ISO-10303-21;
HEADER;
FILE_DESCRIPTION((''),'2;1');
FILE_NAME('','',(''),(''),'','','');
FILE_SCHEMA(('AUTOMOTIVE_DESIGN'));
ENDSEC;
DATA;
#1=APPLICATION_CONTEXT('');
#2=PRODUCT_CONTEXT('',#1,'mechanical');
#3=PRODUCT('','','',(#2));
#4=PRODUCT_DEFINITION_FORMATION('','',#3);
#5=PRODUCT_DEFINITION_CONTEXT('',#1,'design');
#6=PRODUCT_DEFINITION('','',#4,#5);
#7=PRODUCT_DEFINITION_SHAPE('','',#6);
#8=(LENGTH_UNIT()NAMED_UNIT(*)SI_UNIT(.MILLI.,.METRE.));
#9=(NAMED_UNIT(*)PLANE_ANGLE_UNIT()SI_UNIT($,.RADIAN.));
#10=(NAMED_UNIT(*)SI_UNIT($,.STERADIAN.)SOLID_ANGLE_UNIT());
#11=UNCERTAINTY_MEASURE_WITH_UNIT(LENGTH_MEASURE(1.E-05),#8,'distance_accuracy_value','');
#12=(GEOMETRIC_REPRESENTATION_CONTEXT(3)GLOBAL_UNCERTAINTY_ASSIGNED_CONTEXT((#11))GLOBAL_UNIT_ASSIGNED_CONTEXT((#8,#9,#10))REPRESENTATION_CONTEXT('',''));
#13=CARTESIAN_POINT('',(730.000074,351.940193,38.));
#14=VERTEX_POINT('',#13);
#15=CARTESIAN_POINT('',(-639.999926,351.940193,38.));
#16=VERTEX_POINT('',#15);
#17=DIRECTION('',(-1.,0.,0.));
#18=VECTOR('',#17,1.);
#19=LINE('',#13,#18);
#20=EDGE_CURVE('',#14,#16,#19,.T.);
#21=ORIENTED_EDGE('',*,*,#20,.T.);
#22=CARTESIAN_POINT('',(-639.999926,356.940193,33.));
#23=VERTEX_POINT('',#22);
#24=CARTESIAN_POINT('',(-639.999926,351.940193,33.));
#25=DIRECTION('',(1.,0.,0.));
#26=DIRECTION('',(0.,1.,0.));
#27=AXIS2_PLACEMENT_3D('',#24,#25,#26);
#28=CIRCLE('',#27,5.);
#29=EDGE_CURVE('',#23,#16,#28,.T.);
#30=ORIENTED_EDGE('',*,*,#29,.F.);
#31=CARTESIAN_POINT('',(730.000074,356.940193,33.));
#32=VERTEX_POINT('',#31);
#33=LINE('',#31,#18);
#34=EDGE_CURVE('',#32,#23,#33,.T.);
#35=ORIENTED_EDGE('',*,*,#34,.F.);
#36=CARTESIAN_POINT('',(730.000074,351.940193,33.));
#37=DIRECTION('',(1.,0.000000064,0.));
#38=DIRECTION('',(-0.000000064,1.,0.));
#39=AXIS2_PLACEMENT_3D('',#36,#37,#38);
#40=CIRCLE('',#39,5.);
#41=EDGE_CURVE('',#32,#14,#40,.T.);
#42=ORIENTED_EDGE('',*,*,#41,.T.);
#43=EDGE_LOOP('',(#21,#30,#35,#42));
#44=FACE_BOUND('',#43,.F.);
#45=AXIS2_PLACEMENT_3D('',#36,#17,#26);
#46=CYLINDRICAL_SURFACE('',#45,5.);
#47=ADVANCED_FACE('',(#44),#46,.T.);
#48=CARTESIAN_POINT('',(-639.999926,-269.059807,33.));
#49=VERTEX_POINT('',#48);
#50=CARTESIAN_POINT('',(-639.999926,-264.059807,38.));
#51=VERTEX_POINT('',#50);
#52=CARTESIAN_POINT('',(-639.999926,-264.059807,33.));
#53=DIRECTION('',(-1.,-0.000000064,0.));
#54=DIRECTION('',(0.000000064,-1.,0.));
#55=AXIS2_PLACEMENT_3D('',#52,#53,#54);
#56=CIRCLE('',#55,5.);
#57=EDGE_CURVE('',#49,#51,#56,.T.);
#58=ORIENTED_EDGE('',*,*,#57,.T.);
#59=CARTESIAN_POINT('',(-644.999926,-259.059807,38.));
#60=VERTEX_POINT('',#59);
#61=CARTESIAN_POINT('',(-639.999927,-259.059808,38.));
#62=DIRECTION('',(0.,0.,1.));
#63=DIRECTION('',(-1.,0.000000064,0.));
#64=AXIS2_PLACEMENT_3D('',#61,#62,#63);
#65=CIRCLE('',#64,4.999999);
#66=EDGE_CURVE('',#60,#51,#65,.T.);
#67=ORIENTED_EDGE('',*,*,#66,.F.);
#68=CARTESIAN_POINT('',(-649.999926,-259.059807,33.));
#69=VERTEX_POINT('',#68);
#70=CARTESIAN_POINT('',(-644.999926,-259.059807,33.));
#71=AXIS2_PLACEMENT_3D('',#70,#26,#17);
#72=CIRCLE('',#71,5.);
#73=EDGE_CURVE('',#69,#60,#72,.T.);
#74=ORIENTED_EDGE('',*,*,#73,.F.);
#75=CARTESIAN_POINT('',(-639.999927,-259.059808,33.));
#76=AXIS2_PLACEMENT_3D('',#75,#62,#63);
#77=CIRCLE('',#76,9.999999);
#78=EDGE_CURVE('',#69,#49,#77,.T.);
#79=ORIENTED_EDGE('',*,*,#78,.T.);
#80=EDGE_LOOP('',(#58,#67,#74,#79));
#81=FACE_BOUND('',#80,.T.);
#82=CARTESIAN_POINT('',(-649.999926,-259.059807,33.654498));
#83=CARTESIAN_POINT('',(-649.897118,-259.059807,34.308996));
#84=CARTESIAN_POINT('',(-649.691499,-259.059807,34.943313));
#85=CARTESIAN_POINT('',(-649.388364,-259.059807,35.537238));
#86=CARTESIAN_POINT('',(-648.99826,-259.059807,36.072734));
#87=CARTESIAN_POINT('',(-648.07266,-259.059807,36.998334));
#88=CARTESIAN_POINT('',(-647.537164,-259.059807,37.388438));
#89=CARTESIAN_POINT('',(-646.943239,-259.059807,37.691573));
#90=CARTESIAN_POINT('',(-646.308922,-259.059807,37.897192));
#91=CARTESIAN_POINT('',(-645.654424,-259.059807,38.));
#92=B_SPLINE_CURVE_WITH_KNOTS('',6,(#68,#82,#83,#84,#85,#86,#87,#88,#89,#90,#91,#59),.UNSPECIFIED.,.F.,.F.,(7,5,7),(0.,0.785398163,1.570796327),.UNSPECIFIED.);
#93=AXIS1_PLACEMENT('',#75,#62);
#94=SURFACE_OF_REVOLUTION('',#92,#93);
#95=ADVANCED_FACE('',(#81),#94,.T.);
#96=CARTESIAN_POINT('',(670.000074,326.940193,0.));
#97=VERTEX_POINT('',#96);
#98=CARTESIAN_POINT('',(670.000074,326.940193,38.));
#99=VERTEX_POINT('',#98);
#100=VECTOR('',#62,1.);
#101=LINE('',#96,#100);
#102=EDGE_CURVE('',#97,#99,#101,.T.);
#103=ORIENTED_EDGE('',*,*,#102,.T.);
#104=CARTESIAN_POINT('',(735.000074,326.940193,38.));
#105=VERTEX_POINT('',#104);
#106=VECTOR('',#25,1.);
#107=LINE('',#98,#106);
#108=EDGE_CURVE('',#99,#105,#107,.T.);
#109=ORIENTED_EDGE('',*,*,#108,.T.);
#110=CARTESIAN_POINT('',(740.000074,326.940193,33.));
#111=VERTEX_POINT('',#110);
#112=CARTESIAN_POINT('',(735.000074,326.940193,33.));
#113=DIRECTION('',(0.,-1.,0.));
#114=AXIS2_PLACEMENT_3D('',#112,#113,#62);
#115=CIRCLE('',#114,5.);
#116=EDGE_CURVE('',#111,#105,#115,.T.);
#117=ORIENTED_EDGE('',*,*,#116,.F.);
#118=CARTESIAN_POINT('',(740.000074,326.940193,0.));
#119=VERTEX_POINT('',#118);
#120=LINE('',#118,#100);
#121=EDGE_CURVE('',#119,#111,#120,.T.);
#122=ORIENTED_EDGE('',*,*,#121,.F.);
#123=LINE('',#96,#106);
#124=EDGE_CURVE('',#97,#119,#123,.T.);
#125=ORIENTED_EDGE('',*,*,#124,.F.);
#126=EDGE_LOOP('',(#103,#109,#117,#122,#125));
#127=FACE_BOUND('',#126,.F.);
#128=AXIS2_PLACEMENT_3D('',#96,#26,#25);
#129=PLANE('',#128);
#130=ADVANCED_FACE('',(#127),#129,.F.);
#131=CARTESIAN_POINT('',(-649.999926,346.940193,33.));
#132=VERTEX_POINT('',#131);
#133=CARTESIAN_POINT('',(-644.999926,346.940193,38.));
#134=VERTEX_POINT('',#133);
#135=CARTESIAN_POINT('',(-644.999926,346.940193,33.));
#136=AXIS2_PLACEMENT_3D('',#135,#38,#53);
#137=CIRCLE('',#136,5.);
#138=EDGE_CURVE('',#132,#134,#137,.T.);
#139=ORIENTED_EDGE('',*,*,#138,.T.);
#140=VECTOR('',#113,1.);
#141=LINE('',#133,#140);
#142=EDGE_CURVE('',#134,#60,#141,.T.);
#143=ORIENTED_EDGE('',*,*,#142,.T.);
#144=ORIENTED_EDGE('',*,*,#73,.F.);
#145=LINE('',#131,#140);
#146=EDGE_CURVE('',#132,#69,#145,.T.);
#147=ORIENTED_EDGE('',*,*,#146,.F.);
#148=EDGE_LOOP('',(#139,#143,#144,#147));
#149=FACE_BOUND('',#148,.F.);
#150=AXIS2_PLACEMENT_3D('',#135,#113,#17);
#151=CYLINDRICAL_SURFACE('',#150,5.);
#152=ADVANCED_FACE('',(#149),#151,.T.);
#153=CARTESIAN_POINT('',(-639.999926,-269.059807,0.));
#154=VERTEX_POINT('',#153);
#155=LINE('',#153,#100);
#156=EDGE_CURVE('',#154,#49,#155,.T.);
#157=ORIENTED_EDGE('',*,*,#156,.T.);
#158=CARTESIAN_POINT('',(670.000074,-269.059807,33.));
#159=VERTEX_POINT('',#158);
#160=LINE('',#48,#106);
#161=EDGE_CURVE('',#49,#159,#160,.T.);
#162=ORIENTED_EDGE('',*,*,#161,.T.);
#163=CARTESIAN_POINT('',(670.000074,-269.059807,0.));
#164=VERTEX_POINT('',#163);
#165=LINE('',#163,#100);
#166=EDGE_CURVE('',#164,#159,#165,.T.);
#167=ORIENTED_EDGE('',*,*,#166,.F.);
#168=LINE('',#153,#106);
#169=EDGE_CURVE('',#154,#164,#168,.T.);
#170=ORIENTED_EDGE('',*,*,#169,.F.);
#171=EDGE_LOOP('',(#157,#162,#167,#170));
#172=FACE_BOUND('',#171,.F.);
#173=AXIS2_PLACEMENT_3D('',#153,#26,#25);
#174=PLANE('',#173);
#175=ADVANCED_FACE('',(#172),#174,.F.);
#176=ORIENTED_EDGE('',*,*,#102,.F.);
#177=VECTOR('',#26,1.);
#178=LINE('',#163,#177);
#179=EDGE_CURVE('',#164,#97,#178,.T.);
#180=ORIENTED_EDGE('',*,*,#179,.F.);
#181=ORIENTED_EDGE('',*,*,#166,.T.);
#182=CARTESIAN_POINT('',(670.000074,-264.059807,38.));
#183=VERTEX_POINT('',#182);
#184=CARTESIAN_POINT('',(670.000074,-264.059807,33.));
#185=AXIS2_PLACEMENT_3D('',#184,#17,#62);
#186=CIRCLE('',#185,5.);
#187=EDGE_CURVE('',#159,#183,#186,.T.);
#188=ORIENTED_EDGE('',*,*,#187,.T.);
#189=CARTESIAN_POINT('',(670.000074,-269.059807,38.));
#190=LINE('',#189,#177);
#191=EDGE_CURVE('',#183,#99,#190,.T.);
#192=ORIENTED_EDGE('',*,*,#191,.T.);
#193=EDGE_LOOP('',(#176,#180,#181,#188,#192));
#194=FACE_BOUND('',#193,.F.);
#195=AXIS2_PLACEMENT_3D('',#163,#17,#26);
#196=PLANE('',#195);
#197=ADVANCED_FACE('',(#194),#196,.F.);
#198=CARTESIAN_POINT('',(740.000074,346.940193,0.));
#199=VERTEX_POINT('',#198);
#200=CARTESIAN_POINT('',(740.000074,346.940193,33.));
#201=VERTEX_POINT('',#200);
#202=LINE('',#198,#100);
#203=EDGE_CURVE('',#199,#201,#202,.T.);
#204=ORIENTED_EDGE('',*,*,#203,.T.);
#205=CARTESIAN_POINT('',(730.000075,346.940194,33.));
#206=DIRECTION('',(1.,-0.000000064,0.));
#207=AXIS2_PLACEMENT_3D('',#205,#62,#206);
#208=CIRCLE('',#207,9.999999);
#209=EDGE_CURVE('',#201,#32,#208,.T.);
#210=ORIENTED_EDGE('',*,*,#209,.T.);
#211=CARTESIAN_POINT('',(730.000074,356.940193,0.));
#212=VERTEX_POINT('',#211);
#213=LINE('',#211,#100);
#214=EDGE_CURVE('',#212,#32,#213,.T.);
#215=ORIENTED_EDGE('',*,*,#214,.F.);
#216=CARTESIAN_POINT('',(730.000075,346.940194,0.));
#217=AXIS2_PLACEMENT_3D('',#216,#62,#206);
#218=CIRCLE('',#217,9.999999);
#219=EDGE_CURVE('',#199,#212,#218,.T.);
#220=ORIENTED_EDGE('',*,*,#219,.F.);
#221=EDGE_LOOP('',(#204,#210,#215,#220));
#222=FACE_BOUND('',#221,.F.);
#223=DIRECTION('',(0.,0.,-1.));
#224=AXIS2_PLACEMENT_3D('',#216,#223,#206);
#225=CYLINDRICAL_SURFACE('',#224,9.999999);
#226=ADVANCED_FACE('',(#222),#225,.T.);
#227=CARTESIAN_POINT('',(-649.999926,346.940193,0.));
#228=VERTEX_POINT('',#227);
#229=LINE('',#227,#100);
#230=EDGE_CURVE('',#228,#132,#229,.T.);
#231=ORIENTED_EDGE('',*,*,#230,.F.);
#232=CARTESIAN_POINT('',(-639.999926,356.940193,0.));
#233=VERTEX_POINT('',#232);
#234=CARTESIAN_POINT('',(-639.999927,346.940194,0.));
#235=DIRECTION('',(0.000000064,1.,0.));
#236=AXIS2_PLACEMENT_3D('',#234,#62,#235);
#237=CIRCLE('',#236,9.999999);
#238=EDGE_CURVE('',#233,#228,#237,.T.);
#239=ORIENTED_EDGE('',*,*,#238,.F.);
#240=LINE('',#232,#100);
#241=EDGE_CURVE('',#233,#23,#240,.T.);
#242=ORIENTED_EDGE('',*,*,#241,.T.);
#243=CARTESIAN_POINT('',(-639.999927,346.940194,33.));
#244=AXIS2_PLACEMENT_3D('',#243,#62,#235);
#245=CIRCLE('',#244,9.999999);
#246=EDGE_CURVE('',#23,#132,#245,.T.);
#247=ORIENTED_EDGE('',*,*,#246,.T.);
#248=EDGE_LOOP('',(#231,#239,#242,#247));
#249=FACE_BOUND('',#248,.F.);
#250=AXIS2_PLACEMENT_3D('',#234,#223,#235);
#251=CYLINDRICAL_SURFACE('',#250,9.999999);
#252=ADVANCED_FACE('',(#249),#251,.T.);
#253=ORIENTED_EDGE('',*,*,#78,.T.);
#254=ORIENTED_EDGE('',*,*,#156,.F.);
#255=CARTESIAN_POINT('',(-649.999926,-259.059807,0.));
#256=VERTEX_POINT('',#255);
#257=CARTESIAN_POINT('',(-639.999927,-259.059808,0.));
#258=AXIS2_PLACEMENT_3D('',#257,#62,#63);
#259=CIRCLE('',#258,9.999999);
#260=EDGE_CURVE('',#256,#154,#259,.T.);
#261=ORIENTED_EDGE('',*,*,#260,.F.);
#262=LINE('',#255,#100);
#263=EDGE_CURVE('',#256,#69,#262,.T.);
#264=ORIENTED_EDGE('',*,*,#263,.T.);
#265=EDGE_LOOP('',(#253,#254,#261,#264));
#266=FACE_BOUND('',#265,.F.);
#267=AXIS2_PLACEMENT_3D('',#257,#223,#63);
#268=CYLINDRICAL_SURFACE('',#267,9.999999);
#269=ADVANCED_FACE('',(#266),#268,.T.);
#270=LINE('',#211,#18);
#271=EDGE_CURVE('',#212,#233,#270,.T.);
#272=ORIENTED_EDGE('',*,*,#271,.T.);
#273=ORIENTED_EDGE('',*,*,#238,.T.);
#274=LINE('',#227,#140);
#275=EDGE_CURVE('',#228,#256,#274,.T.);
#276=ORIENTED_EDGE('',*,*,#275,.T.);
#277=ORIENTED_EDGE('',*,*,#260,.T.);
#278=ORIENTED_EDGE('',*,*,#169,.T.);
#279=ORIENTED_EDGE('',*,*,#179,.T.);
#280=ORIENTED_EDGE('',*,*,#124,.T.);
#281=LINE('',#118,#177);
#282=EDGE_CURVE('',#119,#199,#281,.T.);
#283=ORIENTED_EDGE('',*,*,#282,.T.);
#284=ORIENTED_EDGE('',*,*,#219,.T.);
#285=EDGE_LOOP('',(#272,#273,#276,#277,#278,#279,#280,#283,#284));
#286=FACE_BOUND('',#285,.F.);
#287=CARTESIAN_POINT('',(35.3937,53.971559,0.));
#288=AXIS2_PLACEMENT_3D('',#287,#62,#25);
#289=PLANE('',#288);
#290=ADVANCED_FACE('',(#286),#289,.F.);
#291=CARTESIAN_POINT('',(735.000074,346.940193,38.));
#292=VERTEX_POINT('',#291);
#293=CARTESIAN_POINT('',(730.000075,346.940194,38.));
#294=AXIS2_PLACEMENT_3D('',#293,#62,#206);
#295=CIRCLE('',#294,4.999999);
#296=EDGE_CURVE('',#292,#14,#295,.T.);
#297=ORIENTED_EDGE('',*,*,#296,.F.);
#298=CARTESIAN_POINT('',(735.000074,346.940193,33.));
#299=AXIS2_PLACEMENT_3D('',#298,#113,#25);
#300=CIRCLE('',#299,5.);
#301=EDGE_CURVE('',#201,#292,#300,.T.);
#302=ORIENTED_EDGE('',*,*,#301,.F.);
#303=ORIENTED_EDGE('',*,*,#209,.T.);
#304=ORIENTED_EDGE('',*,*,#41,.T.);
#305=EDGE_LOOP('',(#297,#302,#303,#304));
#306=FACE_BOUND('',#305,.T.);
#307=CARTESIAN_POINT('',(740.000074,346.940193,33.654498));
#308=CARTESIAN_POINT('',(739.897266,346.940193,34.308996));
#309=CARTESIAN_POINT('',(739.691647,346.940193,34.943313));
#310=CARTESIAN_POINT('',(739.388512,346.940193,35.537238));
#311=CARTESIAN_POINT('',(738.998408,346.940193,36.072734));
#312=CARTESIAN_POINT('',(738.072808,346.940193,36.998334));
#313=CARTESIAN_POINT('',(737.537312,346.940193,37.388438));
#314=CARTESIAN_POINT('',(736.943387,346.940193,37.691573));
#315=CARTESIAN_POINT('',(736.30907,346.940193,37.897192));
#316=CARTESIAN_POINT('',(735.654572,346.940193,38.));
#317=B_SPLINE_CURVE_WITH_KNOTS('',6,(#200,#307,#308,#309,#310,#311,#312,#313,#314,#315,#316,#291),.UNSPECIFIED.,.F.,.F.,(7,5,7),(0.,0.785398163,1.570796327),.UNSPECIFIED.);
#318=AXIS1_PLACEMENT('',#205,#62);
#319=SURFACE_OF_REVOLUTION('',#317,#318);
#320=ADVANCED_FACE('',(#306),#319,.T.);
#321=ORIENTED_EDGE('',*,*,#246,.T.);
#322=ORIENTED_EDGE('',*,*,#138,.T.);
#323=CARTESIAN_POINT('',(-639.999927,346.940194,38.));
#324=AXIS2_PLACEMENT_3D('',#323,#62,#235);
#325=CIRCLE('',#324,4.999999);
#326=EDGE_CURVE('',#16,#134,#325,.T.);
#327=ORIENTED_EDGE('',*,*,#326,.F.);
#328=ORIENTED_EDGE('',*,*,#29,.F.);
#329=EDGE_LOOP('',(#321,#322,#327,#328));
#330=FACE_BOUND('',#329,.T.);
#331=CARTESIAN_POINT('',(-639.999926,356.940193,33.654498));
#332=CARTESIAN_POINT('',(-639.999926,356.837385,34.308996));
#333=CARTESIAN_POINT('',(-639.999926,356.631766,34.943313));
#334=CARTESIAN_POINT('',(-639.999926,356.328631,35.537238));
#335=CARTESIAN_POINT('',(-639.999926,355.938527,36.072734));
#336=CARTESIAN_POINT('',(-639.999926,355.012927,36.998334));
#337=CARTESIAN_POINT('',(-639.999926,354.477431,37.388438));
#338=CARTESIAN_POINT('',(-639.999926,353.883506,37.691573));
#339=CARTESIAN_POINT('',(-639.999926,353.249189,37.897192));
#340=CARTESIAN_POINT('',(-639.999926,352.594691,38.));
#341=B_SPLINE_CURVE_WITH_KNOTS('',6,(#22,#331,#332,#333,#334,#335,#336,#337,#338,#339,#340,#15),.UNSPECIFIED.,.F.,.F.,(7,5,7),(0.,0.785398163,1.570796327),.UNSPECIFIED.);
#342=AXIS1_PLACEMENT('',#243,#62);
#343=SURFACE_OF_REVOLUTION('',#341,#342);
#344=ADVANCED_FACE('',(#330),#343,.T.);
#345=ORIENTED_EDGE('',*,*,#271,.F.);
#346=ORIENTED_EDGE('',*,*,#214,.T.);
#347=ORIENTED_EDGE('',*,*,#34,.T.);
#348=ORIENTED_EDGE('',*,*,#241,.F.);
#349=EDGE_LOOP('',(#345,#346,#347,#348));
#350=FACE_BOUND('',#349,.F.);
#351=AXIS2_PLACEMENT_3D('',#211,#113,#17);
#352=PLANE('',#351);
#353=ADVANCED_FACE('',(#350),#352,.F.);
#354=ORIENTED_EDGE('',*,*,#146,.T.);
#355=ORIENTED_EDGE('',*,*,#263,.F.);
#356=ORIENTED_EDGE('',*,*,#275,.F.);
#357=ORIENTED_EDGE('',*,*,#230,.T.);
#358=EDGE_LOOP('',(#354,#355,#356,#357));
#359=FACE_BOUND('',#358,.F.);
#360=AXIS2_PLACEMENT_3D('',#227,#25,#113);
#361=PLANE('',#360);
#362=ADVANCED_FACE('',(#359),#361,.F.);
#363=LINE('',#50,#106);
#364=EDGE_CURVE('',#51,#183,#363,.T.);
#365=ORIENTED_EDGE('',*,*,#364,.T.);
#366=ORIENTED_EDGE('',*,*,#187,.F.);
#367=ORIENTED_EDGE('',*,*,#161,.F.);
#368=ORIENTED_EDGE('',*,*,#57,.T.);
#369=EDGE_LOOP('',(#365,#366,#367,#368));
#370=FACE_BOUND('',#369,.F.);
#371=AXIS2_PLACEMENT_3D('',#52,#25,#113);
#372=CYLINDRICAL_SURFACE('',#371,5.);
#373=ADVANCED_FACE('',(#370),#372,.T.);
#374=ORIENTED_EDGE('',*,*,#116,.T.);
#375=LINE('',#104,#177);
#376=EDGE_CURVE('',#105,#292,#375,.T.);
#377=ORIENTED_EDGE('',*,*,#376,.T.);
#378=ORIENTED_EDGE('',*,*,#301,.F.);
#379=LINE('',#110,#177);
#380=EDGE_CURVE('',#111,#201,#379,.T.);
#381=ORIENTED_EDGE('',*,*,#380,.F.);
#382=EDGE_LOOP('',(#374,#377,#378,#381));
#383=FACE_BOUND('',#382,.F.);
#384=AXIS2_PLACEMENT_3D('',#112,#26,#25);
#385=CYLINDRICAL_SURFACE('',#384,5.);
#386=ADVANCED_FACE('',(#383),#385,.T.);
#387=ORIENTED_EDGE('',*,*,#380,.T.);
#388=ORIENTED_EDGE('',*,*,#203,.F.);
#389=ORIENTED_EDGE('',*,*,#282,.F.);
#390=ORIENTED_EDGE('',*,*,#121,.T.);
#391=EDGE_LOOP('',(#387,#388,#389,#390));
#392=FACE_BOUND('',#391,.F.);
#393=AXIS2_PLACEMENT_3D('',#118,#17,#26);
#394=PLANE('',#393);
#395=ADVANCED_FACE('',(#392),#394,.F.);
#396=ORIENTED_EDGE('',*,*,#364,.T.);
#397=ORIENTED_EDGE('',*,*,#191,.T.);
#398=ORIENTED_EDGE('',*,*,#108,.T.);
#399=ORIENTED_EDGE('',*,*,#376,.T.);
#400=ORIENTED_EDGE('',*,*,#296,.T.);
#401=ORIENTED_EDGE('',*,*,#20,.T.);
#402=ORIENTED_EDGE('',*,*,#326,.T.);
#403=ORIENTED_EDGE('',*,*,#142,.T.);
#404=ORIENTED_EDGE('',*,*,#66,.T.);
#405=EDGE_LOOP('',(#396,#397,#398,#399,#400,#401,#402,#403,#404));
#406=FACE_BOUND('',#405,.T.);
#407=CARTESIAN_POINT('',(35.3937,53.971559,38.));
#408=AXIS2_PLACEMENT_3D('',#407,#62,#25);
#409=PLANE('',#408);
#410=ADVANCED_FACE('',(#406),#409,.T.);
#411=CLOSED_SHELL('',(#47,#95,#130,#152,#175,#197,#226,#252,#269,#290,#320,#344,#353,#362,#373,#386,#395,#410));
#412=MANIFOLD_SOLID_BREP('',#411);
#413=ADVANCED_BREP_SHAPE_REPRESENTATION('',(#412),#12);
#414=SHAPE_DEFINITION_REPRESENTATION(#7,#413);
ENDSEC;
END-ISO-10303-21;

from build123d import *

# Parameters (mm, degrees)
F1_DEPTH = 38
F2_R     = 5


with BuildPart() as f1:
    # F0 (on Top) → F1 (new body)
    with BuildSketch(Plane.XY):
        with BuildLine():
            Line((730.000074, 356.940193), (-639.999926, 356.940193))
            ThreePointArc((-639.999926, 356.940193), (-647.070994, 354.011261), (-649.999926, 346.940193))
            Line((-649.999926, 346.940193), (-649.999926, -259.059807))
            ThreePointArc((-649.999926, -259.059807), (-647.070994, -266.130875), (-639.999926, -269.059807))
            Line((-639.999926, -269.059807), (670.000074, -269.059807))
            Line((670.000074, -269.059807), (670.000074, 326.940193))
            Line((670.000074, 326.940193), (740.000074, 326.940193))
            Line((740.000074, 326.940193), (740.000074, 346.940193))
            ThreePointArc((740.000074, 346.940193), (737.071142, 354.011261), (730.000074, 356.940193))
        make_face()
    extrude(amount=F1_DEPTH)

    # F2
    f2_edges = [f1.edges().sort_by_distance(p)[0] for p in [
        (-649.999926, 43.940193, 38),
    ]]
    fillet(f2_edges, radius=F2_R)


solid = f1.part
